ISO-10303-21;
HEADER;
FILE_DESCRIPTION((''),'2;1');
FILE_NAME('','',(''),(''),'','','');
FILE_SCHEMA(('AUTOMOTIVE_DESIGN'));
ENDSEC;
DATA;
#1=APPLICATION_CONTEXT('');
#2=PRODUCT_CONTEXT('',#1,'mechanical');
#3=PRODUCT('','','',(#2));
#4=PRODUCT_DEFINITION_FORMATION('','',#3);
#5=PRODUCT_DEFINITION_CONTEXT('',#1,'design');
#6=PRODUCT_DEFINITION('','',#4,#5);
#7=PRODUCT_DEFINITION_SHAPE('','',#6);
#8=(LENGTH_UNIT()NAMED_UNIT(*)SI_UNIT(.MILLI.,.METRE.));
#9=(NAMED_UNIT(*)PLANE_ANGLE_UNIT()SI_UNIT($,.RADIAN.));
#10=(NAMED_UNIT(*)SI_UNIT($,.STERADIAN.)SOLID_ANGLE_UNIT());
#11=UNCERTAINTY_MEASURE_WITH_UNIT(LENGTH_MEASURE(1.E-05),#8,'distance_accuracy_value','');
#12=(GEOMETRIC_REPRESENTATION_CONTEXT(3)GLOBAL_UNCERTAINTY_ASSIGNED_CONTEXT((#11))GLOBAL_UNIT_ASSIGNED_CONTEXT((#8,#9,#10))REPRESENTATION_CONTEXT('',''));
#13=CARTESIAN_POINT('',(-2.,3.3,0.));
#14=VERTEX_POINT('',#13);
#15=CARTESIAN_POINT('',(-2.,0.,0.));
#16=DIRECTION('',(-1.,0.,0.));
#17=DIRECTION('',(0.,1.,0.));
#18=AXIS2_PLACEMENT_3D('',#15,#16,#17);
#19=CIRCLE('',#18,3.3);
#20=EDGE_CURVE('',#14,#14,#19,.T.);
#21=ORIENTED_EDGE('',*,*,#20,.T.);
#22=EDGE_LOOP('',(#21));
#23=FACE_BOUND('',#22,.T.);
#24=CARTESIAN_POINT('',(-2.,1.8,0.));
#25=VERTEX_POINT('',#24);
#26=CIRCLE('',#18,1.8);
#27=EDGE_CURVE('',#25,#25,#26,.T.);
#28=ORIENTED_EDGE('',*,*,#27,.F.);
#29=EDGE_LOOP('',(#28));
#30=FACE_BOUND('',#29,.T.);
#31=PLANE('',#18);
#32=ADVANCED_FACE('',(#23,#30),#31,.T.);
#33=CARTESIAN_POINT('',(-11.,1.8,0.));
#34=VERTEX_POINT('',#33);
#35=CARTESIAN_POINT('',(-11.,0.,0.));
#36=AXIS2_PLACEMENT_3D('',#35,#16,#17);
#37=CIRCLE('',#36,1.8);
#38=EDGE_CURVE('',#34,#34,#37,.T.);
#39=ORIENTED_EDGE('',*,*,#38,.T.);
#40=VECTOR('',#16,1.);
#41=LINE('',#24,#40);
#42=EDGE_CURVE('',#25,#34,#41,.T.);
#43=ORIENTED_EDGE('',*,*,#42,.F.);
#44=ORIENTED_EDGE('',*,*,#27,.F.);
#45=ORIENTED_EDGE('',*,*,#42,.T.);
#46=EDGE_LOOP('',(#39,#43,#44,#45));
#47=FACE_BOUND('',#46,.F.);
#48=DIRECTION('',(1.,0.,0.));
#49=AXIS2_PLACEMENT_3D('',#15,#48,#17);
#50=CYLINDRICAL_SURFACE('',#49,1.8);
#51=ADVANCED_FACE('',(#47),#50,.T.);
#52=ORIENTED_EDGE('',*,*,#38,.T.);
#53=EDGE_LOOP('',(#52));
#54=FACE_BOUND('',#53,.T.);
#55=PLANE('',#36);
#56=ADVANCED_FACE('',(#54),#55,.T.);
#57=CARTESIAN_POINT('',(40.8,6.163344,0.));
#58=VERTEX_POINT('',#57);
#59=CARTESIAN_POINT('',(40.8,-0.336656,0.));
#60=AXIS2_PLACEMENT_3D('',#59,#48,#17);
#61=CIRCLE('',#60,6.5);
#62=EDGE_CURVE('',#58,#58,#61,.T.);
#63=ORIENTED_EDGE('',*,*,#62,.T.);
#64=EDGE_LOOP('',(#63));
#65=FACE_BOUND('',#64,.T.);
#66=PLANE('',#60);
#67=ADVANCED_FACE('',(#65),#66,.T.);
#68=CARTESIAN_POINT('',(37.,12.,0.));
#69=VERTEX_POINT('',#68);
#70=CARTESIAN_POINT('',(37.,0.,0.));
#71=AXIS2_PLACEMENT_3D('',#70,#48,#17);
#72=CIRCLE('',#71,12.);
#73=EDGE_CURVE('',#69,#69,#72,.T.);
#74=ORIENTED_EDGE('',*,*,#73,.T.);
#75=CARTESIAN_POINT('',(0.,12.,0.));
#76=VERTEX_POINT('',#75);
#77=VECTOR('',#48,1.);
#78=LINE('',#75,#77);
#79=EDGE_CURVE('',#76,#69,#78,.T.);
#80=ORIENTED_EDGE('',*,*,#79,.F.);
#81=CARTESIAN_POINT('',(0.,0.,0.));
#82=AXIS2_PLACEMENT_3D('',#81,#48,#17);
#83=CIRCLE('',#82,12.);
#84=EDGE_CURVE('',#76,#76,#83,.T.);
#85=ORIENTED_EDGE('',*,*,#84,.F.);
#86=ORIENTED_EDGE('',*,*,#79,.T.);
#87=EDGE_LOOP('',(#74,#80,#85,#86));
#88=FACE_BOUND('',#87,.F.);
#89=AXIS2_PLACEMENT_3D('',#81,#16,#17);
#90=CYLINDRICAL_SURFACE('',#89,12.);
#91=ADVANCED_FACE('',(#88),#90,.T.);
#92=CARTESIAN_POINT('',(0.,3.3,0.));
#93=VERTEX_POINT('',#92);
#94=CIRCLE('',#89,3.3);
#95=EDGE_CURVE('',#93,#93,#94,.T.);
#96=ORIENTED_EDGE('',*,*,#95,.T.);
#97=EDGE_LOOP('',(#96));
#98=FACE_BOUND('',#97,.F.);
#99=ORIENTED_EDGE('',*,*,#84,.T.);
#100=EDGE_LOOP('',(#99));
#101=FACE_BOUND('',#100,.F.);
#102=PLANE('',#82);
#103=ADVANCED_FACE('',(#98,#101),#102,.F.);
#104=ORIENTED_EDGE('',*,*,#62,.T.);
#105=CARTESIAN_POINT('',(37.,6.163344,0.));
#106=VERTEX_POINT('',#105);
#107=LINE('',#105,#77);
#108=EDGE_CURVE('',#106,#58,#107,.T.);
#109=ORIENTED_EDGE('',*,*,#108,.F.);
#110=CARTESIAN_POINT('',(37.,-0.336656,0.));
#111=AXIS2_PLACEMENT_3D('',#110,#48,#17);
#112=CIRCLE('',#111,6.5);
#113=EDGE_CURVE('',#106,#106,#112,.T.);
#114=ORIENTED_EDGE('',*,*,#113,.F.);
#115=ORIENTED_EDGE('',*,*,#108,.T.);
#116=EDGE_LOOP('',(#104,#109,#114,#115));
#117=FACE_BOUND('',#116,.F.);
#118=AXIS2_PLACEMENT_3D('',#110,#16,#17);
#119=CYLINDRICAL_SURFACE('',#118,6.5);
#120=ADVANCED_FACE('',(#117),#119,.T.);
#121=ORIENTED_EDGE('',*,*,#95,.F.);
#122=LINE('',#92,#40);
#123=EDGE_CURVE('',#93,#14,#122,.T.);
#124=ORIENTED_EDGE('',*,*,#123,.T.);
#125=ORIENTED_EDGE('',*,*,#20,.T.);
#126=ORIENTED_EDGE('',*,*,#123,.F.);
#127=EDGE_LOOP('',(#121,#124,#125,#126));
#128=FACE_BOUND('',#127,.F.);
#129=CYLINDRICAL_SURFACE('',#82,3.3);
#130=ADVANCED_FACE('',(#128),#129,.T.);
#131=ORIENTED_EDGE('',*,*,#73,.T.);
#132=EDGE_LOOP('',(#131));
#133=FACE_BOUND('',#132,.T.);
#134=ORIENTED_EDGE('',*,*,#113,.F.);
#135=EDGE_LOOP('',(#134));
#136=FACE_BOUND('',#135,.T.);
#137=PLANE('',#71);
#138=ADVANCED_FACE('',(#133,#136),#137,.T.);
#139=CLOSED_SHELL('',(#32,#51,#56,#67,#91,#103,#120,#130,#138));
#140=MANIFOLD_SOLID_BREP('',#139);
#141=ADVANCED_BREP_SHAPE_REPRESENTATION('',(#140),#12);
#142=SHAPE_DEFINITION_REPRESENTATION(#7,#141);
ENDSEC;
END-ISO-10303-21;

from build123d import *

# Parameters (mm, degrees)
SKETCH_R     = 12
PAD_DEPTH    = 37
SKETCH001_R  = 6.5
PAD001_DEPTH = 3.8
SKETCH002_R  = 3.3
PAD002_DEPTH = 2
SKETCH003_R  = 1.8
PAD003_DEPTH = 9


with BuildPart() as part:
    # Sketch → Pad (new body)
    with BuildSketch(Plane.YZ):
        Circle(SKETCH_R)
    extrude(amount=PAD_DEPTH)

    # Sketch001 (on Face3 of Pad) → Pad001 (join)
    with BuildSketch(Plane.YZ.offset(37)):
        with Locations((-0.336656, 0)):
            Circle(SKETCH001_R)
    extrude(amount=PAD001_DEPTH)

    # Sketch002 (on Face2 of Pad001) → Pad002 (join)
    with BuildSketch(Plane(origin=(0, 0, 0), x_dir=(0, 1, 0), z_dir=(-1, 0, 0))):
        Circle(SKETCH002_R)
    extrude(amount=PAD002_DEPTH)

    # Sketch003 (on Face6 of Pad002) → Pad003 (join)
    with BuildSketch(Plane(origin=(-2, 0, 0), x_dir=(0, 1, 0), z_dir=(-1, 0, 0))):
        Circle(SKETCH003_R)
    extrude(amount=PAD003_DEPTH)


solid = part.part
